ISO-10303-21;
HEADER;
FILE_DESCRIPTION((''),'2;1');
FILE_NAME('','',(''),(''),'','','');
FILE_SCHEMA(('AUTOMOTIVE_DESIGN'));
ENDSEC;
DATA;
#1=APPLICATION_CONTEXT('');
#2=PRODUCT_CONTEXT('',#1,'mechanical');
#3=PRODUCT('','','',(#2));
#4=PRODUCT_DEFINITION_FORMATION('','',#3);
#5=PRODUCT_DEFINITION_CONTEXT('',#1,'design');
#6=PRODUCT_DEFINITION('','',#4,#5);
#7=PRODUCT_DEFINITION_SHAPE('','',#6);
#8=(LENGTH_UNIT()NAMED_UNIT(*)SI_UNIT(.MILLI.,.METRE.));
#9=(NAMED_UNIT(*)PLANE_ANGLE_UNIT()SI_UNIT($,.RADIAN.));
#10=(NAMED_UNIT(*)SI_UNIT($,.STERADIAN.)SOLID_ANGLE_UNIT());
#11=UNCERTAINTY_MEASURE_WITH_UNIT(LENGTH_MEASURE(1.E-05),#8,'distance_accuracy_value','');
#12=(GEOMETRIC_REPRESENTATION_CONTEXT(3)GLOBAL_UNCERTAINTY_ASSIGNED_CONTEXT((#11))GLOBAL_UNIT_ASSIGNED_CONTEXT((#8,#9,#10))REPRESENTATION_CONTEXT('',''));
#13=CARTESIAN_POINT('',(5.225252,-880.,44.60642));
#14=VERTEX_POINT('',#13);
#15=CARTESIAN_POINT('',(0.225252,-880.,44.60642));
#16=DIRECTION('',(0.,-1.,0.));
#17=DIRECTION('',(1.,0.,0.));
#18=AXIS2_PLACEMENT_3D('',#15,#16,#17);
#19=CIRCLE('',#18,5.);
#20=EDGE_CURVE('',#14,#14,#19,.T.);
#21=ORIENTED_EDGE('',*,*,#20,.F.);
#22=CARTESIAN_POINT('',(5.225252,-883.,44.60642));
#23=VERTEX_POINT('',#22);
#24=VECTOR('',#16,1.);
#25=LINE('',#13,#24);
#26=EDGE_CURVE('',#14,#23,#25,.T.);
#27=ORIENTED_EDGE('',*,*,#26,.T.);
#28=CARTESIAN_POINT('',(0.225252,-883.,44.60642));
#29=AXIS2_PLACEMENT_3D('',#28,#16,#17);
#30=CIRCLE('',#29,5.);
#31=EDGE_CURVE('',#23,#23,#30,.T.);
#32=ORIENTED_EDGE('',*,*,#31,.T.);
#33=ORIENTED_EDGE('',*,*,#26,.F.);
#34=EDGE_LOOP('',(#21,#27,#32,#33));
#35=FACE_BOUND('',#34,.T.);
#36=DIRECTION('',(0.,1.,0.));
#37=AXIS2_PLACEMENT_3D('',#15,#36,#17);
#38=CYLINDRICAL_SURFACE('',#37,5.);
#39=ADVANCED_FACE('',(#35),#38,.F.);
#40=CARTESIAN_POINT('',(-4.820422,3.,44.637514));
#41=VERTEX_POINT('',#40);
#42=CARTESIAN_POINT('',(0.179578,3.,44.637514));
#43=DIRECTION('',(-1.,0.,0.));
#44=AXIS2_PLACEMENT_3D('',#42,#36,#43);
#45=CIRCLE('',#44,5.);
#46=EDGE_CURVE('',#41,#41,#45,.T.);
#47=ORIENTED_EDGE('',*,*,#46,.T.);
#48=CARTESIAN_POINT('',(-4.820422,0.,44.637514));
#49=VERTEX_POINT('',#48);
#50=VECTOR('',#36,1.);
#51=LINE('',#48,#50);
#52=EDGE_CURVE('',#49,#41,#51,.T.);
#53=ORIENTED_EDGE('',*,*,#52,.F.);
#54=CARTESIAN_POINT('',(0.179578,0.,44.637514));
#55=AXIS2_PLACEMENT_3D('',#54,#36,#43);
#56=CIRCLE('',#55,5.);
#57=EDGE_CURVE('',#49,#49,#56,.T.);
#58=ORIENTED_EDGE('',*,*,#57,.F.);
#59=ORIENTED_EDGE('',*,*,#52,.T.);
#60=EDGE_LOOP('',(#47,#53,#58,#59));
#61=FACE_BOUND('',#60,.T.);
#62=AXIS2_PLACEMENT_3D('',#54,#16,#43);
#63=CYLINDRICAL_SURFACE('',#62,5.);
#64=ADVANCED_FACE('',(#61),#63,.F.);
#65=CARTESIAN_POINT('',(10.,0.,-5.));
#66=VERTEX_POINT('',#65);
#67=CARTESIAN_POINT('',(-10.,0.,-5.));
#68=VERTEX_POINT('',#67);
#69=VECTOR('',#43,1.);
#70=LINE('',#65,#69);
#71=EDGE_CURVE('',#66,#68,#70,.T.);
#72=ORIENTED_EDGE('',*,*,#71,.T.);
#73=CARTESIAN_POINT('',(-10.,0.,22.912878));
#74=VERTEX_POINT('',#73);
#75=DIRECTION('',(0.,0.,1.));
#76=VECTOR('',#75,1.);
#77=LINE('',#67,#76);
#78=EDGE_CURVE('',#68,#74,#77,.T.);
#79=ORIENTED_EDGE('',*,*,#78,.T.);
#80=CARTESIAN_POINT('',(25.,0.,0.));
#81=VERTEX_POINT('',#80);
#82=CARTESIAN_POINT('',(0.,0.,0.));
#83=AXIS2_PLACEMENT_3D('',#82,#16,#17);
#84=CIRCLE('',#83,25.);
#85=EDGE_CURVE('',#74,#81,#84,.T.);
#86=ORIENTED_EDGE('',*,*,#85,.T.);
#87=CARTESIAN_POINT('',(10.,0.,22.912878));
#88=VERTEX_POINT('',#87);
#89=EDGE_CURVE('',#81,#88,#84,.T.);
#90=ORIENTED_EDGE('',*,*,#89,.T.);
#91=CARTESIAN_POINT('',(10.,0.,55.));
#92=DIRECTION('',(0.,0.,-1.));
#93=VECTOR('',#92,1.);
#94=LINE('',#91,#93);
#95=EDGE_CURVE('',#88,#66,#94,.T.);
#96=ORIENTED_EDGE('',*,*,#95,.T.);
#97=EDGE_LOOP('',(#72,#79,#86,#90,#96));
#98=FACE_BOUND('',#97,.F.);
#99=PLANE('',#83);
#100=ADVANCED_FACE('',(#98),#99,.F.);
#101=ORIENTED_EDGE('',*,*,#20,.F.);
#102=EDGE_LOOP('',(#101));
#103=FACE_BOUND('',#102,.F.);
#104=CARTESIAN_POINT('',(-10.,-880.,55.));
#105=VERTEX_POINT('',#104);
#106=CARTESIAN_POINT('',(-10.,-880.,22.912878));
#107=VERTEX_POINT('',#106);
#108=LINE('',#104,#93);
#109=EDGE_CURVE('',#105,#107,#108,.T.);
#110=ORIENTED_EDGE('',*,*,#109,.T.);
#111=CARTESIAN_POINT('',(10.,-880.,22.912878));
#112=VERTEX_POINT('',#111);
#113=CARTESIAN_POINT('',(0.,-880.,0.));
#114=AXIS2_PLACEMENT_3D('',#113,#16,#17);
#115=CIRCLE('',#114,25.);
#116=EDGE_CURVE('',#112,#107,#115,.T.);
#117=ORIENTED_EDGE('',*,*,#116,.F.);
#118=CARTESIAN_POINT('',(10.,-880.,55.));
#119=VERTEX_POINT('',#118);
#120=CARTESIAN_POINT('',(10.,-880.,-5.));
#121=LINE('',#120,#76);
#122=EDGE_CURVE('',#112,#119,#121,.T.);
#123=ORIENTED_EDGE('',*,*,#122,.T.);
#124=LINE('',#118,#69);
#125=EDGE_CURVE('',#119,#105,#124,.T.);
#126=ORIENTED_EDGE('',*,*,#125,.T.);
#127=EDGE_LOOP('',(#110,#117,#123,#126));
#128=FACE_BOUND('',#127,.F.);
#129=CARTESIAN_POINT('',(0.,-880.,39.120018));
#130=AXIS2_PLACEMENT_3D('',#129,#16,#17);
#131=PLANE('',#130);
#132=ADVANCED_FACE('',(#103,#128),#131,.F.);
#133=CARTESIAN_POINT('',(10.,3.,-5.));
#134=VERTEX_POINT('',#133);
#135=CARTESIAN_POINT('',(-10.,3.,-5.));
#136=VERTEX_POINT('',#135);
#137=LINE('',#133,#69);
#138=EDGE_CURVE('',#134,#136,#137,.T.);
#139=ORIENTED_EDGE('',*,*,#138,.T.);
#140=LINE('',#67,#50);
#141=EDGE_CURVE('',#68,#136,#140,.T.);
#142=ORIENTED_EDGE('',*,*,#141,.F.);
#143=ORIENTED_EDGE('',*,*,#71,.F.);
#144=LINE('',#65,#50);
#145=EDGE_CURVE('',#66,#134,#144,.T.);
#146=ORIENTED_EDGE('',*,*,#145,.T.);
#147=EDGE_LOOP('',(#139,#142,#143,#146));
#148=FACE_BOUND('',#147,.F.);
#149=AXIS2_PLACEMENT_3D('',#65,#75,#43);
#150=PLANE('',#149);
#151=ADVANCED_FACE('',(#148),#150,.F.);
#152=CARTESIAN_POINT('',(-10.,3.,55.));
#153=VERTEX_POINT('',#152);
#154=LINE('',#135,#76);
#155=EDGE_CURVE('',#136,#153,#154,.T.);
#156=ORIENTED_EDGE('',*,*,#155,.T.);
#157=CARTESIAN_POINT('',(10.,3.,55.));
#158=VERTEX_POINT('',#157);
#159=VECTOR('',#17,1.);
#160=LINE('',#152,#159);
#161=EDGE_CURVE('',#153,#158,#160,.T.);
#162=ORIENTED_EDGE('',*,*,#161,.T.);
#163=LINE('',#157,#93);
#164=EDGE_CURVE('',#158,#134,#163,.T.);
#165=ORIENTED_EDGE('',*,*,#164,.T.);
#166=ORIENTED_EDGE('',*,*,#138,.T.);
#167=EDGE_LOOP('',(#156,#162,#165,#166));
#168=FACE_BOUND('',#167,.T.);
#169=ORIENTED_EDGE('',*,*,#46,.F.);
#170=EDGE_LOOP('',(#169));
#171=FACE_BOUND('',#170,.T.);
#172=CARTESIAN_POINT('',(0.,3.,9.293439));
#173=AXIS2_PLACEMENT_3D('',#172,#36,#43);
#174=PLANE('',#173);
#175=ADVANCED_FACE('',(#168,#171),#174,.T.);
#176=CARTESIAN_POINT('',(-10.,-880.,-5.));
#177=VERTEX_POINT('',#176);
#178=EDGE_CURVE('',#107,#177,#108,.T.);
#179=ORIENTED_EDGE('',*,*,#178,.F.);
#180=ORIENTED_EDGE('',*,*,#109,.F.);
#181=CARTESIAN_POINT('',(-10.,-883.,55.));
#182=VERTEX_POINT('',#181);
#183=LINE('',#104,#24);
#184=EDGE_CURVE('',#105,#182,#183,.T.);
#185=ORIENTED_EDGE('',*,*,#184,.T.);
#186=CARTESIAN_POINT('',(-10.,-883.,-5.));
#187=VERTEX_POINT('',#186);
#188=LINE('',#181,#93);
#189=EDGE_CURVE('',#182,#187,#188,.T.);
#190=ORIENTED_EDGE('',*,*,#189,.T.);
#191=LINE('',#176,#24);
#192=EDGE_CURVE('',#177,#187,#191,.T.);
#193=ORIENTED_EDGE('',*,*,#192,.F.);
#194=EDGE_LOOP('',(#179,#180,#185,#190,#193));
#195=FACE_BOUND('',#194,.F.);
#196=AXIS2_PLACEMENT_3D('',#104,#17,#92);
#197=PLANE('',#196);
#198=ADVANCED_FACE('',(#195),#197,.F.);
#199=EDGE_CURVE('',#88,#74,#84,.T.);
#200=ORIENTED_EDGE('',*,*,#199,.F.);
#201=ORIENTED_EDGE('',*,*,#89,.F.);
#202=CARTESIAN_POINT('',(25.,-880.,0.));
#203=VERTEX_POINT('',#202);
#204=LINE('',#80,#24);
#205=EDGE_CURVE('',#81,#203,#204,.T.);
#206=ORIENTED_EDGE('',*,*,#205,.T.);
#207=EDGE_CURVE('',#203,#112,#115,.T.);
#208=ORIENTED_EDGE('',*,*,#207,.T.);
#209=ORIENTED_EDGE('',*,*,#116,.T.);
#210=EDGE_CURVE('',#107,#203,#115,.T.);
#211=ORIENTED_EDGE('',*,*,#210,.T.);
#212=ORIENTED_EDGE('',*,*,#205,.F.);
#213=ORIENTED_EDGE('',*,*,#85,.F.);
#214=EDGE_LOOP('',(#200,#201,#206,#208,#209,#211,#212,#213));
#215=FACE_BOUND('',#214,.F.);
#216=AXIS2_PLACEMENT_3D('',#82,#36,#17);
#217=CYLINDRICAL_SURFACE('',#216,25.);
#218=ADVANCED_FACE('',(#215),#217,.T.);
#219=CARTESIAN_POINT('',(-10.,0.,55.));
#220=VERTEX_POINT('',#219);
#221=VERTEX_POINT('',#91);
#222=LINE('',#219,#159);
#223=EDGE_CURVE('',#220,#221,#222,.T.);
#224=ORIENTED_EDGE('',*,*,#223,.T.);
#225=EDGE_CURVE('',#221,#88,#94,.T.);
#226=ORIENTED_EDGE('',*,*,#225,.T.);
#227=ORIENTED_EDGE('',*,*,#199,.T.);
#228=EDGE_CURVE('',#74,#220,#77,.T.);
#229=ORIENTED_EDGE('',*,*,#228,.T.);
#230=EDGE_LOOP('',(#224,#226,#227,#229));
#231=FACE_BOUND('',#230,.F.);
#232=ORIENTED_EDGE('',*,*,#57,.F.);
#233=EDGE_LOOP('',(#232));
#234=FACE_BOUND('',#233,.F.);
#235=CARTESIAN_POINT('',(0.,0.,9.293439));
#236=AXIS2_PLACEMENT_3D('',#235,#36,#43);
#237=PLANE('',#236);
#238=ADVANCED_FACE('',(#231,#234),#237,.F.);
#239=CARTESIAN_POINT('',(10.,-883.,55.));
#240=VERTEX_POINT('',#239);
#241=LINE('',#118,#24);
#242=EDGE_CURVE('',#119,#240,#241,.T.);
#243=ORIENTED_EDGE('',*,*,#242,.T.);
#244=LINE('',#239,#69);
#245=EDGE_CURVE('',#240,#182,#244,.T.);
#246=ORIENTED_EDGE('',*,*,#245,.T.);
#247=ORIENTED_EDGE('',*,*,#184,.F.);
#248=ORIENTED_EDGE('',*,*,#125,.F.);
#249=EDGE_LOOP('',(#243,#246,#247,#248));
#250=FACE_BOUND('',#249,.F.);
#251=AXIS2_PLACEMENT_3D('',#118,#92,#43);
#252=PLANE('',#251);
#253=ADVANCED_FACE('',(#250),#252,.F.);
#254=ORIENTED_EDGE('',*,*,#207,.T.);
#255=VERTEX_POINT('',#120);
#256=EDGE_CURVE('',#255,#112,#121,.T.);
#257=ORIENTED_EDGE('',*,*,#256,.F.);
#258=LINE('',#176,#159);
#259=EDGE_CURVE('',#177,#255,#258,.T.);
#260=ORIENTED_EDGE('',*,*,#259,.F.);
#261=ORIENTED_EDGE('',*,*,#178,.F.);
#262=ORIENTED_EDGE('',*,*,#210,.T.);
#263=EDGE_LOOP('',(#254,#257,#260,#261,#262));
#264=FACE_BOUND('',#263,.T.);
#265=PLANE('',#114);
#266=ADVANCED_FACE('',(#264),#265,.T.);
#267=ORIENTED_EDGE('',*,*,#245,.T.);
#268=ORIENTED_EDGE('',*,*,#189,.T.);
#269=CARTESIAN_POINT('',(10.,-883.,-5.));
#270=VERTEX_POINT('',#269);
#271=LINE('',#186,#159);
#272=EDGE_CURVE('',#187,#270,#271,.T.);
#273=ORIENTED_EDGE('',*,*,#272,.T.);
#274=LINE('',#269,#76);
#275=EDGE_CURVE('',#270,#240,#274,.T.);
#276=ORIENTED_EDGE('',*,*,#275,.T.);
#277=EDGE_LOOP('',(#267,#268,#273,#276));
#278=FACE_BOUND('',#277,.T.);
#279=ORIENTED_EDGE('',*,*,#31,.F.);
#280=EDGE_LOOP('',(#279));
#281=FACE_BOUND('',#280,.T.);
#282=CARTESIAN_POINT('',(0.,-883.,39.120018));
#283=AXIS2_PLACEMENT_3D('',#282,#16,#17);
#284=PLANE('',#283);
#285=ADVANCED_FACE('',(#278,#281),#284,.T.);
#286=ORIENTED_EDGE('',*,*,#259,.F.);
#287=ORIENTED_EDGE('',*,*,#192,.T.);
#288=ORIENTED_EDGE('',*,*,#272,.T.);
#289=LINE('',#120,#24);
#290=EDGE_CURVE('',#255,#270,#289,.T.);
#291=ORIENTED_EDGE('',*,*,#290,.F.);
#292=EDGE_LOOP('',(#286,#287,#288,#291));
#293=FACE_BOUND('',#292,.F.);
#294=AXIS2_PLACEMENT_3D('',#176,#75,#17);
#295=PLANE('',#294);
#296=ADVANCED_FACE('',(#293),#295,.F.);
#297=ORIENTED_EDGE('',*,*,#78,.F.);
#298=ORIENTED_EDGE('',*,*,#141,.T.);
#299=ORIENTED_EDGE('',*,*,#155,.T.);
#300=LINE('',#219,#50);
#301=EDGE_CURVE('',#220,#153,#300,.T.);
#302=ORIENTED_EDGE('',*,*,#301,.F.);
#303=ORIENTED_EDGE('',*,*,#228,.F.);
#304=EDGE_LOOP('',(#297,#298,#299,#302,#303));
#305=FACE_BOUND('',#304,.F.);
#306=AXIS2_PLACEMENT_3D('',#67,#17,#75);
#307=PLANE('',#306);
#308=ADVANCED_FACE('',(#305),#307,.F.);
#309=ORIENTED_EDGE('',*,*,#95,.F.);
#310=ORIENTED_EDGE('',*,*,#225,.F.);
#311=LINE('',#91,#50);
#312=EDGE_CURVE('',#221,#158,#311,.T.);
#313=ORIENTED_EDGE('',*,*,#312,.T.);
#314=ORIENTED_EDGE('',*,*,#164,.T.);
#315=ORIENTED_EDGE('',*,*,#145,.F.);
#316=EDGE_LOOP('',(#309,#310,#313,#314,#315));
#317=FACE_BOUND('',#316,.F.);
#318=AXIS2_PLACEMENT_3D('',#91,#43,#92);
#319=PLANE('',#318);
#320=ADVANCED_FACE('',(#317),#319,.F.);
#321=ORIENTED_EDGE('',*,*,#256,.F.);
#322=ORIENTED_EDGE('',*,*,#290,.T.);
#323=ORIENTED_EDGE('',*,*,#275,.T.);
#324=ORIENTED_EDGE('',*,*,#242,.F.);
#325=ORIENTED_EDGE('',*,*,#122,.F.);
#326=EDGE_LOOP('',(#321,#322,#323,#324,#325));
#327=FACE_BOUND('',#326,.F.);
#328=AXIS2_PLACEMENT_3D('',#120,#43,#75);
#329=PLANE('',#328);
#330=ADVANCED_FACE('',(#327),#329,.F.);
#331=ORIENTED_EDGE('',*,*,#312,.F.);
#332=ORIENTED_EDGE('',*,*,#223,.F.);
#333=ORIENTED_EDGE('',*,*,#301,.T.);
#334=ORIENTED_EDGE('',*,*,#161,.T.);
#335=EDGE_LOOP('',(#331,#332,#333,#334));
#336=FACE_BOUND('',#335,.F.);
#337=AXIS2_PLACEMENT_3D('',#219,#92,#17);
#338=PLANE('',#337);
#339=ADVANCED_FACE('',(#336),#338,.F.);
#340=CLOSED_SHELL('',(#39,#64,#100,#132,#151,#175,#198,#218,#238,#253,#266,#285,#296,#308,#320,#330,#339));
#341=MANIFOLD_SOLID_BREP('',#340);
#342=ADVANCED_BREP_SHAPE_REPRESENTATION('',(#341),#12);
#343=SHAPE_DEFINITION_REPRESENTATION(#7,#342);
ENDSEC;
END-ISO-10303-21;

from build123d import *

# Parameters (mm, degrees)
F0_R     = 25
F1_DEPTH = 880
F2_R     = 5
F3_DEPTH = 3
F4_R     = 5
F5_DEPTH = 3


with BuildPart() as f1:
    # F0 (on Front) → F1 (new body)
    with BuildSketch(Plane.XZ):
        Circle(F0_R)
    extrude(amount=F1_DEPTH)

    # F2 (on face) → F3 (join)
    with BuildSketch(Plane.XZ.offset(880)):
        with BuildLine():
            Line((10, 55), (-10, 55))
            Line((-10, 55), (-10, 22.912878))
            ThreePointArc((-10, 22.912878), (0, 25), (10, 22.912878))
            Line((10, 22.912878), (10, 55))
        make_face()
        with Locations((0.225252, 44.60642)):
            Circle(F2_R, mode=Mode.SUBTRACT)
        with BuildLine():
            ThreePointArc((10, 22.912878), (0, 25), (-10, 22.912878))
            Line((-10, 22.912878), (-10, -5))
            Line((-10, -5), (10, -5))
            Line((10, -5), (10, 22.912878))
        make_face()
    extrude(amount=F3_DEPTH)

    # F4 (on face) → F5 (join)
    with BuildSketch(Plane(origin=(0, 0, 0), x_dir=(-1, 0, 0), z_dir=(0, 1, 0))):
        with BuildLine():
            ThreePointArc((10, 22.912878), (0, 25), (-10, 22.912878))
            Line((-10, 22.912878), (-10, -5))
            Line((-10, -5), (10, -5))
            Line((10, -5), (10, 22.912878))
        make_face()
        with BuildLine():
            Line((10, 55), (-10, 55))
            Line((-10, 55), (-10, 22.912878))
            ThreePointArc((-10, 22.912878), (0, 25), (10, 22.912878))
            Line((10, 22.912878), (10, 55))
        make_face()
        with Locations((-0.179578, 44.637514)):
            Circle(F4_R, mode=Mode.SUBTRACT)
    extrude(amount=F5_DEPTH)


solid = f1.part
